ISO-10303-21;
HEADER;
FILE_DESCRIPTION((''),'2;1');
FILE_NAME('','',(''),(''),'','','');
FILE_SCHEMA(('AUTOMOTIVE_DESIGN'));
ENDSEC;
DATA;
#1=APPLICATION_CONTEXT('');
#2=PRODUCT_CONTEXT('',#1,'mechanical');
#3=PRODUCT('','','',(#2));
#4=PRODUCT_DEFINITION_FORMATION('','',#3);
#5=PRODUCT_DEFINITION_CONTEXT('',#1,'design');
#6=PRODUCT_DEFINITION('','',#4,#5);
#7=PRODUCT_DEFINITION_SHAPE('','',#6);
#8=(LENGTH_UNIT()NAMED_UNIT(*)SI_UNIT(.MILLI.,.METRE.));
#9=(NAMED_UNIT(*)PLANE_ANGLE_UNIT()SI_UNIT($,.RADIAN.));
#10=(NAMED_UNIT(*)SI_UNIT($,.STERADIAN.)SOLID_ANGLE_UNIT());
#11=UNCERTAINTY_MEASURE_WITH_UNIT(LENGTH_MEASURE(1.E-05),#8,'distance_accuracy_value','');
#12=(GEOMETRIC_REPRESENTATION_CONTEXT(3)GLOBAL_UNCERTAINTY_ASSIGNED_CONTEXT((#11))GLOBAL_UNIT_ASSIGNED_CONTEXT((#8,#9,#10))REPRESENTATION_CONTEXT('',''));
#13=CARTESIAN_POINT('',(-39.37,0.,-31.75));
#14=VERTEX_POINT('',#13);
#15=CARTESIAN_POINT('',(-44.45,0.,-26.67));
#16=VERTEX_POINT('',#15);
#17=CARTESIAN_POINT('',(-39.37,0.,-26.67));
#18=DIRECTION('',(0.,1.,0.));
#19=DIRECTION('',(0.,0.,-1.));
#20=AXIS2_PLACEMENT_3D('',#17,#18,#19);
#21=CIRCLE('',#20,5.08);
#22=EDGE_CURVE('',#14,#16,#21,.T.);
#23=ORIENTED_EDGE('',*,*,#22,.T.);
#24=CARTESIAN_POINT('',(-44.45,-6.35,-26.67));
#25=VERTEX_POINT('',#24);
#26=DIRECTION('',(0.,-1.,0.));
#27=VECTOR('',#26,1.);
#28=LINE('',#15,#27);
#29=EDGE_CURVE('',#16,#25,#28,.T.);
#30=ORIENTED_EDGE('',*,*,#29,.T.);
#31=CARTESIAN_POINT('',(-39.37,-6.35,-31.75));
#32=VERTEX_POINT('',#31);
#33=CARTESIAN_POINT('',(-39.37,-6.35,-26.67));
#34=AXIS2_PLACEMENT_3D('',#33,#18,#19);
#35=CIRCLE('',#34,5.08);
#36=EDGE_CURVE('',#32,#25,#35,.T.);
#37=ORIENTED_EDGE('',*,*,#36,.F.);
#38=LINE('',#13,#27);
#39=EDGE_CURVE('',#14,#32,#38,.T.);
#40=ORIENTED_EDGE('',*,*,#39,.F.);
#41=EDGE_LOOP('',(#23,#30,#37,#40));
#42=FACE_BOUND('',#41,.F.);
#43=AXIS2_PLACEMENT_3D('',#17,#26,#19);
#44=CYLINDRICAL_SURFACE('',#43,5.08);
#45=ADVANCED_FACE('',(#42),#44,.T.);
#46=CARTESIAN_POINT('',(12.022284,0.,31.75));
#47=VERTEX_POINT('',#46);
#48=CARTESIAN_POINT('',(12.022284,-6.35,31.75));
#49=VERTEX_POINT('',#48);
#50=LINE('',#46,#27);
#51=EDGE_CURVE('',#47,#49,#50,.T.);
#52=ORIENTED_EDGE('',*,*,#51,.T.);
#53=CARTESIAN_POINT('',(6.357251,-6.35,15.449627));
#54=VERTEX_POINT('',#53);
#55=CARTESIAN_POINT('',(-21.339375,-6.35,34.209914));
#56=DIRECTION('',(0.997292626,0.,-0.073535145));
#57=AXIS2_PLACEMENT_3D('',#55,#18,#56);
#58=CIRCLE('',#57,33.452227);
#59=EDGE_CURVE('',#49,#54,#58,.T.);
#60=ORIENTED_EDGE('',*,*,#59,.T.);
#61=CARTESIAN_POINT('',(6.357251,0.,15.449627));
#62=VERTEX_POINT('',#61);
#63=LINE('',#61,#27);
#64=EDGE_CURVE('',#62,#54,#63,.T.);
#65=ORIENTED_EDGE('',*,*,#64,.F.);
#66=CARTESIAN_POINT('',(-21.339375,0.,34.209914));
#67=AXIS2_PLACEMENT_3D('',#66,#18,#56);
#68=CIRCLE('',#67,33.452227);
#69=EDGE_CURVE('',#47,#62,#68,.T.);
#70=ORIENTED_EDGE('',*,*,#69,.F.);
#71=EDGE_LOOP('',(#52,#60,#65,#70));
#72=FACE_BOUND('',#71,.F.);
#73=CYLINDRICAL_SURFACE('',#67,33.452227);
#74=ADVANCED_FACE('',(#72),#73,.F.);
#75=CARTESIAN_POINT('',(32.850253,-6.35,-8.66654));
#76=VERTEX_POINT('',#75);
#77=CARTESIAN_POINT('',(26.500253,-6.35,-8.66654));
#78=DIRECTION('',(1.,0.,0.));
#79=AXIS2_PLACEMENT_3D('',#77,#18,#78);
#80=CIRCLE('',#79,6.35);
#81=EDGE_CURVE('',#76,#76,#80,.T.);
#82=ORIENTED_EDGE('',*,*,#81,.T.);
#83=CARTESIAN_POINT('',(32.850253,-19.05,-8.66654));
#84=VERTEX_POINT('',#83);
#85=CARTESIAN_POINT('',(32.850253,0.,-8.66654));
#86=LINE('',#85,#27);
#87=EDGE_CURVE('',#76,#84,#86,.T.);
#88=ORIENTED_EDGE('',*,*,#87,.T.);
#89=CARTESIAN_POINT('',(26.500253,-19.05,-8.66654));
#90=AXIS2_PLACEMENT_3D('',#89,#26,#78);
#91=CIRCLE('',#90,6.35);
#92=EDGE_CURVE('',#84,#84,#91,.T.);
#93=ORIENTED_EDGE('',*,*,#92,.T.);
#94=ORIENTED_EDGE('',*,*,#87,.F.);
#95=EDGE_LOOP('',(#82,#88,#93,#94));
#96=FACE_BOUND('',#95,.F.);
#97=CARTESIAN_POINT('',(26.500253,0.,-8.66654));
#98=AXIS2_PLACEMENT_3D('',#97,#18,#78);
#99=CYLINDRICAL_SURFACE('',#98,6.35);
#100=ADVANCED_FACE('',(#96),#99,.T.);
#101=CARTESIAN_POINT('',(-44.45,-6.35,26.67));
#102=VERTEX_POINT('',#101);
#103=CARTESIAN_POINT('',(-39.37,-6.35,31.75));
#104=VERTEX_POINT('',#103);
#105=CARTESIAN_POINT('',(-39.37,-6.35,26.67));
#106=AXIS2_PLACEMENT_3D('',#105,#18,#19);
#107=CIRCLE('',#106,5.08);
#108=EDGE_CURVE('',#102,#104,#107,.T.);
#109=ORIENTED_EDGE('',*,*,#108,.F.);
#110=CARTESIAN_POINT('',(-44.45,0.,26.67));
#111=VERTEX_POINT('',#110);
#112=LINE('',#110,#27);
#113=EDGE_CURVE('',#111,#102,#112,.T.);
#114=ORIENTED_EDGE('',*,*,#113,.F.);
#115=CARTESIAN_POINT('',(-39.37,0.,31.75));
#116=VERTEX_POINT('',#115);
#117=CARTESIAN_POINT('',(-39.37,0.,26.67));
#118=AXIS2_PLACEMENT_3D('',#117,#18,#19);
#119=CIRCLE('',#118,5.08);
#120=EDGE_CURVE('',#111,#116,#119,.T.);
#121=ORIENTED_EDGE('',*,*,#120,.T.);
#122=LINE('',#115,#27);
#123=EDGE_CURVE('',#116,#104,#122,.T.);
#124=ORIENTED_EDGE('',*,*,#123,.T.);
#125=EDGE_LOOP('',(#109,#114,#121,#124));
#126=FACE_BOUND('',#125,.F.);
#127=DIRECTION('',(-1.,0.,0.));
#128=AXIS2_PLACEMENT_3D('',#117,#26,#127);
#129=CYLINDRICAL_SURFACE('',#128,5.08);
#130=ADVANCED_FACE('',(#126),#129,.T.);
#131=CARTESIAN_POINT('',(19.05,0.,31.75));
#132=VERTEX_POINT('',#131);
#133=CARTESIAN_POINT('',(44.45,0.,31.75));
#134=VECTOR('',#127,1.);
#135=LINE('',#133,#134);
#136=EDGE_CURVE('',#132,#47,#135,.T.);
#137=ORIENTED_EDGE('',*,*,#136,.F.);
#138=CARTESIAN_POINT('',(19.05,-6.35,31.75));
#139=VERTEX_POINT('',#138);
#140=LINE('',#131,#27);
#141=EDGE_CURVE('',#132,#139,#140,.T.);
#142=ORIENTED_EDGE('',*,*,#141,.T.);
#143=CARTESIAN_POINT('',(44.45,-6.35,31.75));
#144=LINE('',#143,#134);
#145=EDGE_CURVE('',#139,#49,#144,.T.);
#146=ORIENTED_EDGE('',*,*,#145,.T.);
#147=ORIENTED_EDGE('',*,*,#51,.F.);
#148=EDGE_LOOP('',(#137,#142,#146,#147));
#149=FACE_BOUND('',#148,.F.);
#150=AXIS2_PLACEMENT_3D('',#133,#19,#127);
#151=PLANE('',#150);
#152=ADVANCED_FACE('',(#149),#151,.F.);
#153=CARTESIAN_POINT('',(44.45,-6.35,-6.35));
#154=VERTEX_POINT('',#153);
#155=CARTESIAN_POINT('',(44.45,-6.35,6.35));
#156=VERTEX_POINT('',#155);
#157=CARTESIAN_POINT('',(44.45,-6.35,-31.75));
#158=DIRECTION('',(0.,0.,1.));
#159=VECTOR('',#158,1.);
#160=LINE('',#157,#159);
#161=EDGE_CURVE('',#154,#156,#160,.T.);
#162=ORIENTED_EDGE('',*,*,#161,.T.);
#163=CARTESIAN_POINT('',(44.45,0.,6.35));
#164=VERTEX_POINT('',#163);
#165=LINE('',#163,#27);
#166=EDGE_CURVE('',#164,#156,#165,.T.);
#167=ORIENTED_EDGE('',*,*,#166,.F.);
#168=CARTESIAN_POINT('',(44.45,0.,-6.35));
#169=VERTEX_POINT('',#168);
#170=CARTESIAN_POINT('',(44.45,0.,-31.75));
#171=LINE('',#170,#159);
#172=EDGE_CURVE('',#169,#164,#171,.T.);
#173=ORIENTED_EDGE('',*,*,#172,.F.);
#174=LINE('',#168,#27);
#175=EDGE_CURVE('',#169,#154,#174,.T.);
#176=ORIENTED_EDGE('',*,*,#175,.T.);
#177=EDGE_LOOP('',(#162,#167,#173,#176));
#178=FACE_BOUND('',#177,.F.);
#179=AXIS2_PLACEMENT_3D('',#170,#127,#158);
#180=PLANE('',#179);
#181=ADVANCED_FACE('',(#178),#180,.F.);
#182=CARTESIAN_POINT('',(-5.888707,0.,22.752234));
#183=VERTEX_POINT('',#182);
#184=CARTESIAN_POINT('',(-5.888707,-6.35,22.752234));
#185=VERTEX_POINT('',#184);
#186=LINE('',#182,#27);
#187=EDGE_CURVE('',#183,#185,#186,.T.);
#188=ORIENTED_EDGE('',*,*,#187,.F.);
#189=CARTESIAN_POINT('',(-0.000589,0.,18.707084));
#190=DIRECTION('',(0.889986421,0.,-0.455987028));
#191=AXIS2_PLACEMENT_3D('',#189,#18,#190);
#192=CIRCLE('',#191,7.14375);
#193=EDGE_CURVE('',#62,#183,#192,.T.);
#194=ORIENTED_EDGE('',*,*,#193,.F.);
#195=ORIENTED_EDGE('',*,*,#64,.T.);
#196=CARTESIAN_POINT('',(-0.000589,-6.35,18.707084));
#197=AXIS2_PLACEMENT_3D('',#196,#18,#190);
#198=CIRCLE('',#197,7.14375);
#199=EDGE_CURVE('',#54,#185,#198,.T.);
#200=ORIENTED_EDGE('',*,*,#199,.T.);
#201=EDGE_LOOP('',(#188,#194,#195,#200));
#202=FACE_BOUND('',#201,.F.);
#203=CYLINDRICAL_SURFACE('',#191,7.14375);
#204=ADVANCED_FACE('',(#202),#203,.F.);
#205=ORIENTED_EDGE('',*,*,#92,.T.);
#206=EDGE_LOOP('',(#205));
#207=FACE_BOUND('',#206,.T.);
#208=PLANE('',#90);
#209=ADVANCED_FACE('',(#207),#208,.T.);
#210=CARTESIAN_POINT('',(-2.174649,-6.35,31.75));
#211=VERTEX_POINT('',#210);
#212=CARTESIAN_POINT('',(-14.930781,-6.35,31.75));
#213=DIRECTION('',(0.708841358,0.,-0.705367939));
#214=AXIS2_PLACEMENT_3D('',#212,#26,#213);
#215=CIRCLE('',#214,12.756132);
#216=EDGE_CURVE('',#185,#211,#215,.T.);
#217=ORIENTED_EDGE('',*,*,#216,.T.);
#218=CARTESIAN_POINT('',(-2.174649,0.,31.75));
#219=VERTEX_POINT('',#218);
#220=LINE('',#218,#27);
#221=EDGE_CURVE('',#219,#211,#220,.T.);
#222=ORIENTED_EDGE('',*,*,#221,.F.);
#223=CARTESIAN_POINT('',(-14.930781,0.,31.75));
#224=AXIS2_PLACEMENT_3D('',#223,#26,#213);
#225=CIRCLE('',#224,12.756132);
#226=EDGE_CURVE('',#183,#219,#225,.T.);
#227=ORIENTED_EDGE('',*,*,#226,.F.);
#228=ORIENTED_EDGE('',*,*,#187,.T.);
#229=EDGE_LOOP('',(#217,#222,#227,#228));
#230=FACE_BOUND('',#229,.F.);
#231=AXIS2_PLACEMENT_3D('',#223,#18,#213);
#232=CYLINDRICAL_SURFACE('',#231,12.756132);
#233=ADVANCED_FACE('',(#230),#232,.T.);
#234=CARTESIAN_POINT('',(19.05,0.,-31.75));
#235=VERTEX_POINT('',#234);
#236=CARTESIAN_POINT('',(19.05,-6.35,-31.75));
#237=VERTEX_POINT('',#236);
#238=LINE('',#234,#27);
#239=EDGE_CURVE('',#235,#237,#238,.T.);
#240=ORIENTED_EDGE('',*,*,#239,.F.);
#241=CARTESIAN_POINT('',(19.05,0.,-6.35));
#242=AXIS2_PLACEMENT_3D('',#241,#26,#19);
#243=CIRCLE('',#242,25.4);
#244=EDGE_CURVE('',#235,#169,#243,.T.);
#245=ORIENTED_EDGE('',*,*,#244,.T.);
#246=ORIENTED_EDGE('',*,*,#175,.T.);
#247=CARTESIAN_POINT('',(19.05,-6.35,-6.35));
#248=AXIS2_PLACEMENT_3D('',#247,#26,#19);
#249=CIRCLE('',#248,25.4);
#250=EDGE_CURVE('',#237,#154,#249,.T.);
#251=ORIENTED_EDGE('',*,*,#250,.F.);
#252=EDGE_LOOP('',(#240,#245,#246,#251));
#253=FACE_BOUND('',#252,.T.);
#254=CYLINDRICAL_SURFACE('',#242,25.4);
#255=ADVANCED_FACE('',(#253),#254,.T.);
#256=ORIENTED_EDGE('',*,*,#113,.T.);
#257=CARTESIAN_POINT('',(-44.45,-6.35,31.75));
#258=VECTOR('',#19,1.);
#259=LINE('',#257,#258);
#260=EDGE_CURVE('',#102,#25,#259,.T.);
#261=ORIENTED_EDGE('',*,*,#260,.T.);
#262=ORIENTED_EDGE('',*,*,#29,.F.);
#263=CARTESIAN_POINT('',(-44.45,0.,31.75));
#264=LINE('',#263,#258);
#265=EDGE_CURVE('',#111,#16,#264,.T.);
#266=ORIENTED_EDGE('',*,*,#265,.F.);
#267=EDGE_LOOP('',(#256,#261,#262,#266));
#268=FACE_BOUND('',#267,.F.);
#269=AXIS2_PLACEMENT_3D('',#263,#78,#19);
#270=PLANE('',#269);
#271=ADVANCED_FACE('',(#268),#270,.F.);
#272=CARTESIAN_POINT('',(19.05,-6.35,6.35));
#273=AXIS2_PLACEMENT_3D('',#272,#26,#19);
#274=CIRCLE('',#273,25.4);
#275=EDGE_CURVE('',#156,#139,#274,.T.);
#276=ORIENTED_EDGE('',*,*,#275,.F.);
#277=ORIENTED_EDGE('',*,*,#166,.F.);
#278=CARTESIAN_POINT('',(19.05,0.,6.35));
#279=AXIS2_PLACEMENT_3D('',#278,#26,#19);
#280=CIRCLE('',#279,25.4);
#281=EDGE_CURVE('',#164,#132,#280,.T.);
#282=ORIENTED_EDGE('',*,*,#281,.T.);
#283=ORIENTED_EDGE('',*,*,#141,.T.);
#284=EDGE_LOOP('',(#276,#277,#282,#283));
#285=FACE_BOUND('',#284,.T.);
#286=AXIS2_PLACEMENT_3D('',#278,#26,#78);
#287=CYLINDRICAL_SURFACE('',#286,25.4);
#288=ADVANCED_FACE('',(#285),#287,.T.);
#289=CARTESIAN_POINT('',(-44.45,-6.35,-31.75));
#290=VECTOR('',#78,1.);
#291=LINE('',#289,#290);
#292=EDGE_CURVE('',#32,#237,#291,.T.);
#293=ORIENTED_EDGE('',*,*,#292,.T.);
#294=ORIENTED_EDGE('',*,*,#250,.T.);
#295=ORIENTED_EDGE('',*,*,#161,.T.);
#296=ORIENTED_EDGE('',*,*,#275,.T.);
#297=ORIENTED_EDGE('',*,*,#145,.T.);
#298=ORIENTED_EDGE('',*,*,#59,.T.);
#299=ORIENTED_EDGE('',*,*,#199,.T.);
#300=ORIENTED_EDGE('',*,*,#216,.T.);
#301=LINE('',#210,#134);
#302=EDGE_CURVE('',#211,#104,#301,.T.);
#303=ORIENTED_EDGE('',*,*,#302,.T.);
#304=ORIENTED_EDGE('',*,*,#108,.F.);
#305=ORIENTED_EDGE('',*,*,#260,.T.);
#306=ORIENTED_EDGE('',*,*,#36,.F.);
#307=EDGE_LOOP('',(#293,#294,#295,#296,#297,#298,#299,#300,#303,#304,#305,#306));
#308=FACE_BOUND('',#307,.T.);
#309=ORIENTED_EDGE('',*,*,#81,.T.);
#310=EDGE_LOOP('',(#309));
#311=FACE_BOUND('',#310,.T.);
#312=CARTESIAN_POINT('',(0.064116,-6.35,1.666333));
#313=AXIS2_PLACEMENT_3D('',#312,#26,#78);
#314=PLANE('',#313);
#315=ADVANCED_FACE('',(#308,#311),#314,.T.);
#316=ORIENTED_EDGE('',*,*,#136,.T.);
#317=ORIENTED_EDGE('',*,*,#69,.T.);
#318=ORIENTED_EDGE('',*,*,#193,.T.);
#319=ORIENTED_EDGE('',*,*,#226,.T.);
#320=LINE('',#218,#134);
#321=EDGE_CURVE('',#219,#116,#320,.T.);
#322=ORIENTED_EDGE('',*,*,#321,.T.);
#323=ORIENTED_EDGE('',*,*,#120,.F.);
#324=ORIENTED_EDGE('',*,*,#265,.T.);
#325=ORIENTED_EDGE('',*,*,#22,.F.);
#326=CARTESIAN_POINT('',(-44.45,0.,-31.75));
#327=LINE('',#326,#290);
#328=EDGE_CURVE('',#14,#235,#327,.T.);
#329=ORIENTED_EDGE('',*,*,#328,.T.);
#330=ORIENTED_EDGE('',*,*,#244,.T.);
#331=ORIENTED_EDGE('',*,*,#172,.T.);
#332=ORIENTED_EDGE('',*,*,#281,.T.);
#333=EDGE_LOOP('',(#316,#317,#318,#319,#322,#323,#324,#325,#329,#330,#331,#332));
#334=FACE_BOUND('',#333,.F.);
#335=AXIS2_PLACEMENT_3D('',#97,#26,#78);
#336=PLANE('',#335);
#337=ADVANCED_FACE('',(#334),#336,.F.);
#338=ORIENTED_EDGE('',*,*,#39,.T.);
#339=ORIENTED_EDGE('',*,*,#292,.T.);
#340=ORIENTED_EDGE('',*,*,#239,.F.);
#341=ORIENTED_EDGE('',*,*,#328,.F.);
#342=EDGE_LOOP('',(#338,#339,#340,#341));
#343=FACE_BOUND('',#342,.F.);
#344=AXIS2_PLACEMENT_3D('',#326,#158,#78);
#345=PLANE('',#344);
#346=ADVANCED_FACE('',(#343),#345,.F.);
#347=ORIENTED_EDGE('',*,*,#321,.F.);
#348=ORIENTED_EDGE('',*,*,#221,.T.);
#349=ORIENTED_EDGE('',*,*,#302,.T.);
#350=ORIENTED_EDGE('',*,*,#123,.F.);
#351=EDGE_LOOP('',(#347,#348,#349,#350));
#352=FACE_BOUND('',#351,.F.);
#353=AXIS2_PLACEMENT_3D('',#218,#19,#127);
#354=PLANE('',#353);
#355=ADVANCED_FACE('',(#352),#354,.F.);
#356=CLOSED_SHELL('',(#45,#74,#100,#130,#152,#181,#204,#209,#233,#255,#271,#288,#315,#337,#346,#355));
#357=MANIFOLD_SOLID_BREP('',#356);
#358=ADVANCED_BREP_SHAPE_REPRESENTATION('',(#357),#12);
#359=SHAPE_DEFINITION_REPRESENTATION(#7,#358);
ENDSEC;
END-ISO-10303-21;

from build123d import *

# Parameters (mm, degrees)
F0_R     = 6.35
F1_DEPTH = 6.35
F2_R     = 25.4
F3_R     = 5.08
F4_DEPTH = 19.05


with BuildPart() as f1:
    # F0 (on Front) → F1 (new body)
    with BuildSketch(Plane.XZ):
        with BuildLine():
            Line((-44.45, -31.75), (44.45, -31.75))
            Line((44.45, -31.75), (44.45, 31.75))
            Line((44.45, 31.75), (12.022284, 31.75))
            ThreePointArc((12.022284, 31.75), (10.258949, 23.22823), (6.357251, 15.449627))
            ThreePointArc((6.357251, 15.449627), (-3.659439, 12.571452), (-5.888707, 22.752234))
            ThreePointArc((-5.888707, 22.752234), (-3.139666, 26.882916), (-2.174649, 31.75))
            Line((-2.174649, 31.75), (-44.45, 31.75))
            Line((-44.45, 31.75), (-44.45, -31.75))
        make_face()
        with Locations((26.500253, -8.66654)):
            Circle(F0_R, mode=Mode.SUBTRACT)
        with Locations((26.500253, -8.66654)):
            Circle(F0_R)
    extrude(amount=F1_DEPTH)

    # F2
    f2_edges = [f1.edges().sort_by_distance(p)[0] for p in [
        (44.45, -3.175, -31.75),
        (44.45, -3.175, 31.75),
    ]]
    fillet(f2_edges, radius=F2_R)

    # F3
    f3_edges = [f1.edges().sort_by_distance(p)[0] for p in [
        (-44.45, -3.175, 31.75),
        (-44.45, -3.175, -31.75),
    ]]
    fillet(f3_edges, radius=F3_R)

    # F0 (on Front) → F4 (join)
    with BuildSketch(Plane.XZ):
        with Locations((26.500253, -8.66654)):
            Circle(F0_R)
    extrude(amount=F4_DEPTH)


solid = f1.part
